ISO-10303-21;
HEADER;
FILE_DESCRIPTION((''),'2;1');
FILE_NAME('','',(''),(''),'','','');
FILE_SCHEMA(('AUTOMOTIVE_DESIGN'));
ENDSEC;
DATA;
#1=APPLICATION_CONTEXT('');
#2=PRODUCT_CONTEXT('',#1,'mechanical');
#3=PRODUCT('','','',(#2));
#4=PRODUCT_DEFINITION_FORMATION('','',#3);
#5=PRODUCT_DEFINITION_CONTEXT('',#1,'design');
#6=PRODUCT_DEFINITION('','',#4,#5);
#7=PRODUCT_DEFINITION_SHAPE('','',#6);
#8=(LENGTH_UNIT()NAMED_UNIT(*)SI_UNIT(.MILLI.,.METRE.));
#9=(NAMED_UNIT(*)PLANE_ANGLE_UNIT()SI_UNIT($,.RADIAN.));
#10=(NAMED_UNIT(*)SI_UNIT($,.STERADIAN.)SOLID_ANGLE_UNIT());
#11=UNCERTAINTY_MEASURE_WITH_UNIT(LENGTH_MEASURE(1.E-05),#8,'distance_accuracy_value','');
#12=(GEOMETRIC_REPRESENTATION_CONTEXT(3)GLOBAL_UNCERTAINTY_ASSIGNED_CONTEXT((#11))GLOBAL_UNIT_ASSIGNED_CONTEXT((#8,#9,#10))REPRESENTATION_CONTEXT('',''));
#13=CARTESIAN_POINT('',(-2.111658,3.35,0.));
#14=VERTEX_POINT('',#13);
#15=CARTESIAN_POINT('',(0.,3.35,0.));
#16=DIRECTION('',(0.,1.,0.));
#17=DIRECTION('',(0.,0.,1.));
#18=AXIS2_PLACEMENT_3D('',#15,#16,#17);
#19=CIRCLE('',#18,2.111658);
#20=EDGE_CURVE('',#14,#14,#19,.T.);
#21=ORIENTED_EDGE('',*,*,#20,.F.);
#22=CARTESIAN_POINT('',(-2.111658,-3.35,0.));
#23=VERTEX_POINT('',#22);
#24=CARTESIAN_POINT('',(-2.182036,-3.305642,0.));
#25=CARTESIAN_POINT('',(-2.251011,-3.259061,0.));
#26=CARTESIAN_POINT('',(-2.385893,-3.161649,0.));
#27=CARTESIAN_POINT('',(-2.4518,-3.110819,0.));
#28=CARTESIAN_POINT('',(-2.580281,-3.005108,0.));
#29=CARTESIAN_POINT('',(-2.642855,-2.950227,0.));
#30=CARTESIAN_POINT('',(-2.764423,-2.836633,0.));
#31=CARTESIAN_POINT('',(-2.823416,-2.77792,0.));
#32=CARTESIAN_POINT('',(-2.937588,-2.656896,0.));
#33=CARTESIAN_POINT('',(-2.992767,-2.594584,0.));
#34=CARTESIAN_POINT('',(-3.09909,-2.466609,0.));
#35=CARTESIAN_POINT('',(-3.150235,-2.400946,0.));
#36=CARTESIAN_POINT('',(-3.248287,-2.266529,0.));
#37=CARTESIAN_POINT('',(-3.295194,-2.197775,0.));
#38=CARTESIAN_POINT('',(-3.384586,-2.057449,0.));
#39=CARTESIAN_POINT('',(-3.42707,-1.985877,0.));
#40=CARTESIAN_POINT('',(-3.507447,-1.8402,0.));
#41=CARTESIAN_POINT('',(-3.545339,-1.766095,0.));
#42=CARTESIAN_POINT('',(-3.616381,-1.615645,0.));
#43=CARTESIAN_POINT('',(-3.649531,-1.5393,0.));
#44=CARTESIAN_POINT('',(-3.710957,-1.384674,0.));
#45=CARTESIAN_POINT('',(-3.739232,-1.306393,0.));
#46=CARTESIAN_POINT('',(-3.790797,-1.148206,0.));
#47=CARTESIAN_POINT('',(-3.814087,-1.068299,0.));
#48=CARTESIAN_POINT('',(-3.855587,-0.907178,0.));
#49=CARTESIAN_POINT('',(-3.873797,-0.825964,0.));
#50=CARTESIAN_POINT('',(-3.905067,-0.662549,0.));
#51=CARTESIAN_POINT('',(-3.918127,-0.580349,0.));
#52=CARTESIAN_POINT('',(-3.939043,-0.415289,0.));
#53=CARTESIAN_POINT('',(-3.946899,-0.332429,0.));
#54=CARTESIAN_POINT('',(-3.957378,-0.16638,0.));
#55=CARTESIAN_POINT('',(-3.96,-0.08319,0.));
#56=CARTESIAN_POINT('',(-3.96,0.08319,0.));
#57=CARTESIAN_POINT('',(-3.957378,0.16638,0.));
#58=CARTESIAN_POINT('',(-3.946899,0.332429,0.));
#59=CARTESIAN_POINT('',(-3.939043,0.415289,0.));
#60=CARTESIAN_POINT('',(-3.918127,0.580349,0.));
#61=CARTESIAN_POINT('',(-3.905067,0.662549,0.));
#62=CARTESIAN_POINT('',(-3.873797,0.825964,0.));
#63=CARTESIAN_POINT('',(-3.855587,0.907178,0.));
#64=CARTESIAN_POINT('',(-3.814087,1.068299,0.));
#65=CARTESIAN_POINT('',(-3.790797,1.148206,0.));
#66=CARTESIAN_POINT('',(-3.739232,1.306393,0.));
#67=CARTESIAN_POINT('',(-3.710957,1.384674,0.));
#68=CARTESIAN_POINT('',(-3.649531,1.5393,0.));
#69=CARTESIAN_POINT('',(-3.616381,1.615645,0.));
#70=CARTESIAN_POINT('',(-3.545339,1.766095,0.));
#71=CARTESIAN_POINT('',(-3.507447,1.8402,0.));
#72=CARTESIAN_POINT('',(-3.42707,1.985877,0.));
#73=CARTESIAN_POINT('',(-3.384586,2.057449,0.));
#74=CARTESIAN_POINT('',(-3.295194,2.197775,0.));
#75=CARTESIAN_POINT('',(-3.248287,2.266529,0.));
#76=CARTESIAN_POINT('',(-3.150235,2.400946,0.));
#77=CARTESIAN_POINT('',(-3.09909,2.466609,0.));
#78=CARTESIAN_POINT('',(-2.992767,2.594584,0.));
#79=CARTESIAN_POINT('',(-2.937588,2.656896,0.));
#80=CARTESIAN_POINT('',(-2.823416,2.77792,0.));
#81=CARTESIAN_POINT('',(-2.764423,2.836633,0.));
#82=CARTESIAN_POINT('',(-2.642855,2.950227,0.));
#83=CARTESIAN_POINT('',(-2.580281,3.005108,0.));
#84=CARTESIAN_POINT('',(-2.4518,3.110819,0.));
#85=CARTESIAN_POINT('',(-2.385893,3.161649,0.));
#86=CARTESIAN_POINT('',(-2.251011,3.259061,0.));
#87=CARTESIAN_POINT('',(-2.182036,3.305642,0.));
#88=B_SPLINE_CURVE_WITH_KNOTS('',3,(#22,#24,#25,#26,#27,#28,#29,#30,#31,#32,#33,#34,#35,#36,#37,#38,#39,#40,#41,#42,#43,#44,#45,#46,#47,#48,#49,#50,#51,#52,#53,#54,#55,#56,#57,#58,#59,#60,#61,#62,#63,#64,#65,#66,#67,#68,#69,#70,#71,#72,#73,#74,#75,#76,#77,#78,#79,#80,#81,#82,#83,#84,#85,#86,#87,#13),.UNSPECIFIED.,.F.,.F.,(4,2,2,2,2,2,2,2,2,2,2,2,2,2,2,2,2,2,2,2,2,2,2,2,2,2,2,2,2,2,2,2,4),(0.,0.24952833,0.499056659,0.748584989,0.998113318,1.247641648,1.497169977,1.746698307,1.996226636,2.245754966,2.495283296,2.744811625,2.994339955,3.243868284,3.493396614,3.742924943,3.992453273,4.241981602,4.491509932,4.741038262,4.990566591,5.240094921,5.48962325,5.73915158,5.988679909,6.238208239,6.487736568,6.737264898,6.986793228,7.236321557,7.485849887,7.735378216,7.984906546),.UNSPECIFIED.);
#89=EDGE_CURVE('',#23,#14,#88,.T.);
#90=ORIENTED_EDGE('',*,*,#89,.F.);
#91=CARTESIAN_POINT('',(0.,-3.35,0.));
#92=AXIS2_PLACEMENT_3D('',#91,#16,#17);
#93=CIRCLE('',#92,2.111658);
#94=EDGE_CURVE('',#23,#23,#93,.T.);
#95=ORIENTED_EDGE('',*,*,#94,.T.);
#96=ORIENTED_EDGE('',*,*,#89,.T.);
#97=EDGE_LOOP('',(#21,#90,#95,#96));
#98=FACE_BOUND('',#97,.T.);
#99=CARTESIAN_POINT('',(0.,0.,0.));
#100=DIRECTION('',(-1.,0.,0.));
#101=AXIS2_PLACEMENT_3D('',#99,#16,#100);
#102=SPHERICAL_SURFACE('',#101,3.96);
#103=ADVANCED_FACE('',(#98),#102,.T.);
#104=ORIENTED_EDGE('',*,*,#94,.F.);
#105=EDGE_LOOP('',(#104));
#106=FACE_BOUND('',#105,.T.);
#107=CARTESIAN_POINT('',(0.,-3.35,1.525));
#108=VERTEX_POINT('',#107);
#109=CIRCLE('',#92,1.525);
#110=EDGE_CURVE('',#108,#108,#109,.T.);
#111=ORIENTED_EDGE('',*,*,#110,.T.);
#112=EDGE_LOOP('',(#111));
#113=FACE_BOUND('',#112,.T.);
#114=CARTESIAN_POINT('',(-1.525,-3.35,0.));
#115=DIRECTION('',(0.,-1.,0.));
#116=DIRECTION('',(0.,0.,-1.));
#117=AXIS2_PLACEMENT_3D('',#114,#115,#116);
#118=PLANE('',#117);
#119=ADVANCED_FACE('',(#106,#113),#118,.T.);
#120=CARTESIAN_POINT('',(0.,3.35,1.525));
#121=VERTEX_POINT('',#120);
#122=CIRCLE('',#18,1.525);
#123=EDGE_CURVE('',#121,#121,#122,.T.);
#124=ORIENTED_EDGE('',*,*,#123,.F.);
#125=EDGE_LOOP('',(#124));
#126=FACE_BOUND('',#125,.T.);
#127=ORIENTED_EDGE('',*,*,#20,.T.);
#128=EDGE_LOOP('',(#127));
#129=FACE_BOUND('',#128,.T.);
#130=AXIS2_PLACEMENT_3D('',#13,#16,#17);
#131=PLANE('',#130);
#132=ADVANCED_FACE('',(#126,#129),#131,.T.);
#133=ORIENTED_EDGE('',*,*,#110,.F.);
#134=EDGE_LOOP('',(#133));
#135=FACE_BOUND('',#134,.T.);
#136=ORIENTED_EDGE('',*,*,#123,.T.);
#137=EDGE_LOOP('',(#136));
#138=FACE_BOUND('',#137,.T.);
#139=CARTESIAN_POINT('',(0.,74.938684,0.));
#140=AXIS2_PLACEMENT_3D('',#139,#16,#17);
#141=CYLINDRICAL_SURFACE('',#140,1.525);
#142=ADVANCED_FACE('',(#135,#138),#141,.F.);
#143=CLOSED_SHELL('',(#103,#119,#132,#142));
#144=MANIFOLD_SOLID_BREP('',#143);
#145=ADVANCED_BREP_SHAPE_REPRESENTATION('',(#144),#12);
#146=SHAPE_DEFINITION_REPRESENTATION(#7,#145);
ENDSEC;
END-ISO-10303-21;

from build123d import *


with BuildPart() as part:
    # Sketch1 → Revolve1 (revolve)
    with BuildSketch(Plane.XY):
        with BuildLine():
            Line((-2.111658116, 3.35), (-1.525, 3.35))
            Line((-1.525, 3.35), (-1.525, -3.35))
            Line((-1.525, -3.35), (-2.111658116, -3.35))
            ThreePointArc((-2.111658116, -3.35), (-3.96, 0), (-2.111658116, 3.35))
        make_face()
    revolve(axis=Axis((0, 74.938684288, 0), (0, -1, 0)))


solid = part.part
